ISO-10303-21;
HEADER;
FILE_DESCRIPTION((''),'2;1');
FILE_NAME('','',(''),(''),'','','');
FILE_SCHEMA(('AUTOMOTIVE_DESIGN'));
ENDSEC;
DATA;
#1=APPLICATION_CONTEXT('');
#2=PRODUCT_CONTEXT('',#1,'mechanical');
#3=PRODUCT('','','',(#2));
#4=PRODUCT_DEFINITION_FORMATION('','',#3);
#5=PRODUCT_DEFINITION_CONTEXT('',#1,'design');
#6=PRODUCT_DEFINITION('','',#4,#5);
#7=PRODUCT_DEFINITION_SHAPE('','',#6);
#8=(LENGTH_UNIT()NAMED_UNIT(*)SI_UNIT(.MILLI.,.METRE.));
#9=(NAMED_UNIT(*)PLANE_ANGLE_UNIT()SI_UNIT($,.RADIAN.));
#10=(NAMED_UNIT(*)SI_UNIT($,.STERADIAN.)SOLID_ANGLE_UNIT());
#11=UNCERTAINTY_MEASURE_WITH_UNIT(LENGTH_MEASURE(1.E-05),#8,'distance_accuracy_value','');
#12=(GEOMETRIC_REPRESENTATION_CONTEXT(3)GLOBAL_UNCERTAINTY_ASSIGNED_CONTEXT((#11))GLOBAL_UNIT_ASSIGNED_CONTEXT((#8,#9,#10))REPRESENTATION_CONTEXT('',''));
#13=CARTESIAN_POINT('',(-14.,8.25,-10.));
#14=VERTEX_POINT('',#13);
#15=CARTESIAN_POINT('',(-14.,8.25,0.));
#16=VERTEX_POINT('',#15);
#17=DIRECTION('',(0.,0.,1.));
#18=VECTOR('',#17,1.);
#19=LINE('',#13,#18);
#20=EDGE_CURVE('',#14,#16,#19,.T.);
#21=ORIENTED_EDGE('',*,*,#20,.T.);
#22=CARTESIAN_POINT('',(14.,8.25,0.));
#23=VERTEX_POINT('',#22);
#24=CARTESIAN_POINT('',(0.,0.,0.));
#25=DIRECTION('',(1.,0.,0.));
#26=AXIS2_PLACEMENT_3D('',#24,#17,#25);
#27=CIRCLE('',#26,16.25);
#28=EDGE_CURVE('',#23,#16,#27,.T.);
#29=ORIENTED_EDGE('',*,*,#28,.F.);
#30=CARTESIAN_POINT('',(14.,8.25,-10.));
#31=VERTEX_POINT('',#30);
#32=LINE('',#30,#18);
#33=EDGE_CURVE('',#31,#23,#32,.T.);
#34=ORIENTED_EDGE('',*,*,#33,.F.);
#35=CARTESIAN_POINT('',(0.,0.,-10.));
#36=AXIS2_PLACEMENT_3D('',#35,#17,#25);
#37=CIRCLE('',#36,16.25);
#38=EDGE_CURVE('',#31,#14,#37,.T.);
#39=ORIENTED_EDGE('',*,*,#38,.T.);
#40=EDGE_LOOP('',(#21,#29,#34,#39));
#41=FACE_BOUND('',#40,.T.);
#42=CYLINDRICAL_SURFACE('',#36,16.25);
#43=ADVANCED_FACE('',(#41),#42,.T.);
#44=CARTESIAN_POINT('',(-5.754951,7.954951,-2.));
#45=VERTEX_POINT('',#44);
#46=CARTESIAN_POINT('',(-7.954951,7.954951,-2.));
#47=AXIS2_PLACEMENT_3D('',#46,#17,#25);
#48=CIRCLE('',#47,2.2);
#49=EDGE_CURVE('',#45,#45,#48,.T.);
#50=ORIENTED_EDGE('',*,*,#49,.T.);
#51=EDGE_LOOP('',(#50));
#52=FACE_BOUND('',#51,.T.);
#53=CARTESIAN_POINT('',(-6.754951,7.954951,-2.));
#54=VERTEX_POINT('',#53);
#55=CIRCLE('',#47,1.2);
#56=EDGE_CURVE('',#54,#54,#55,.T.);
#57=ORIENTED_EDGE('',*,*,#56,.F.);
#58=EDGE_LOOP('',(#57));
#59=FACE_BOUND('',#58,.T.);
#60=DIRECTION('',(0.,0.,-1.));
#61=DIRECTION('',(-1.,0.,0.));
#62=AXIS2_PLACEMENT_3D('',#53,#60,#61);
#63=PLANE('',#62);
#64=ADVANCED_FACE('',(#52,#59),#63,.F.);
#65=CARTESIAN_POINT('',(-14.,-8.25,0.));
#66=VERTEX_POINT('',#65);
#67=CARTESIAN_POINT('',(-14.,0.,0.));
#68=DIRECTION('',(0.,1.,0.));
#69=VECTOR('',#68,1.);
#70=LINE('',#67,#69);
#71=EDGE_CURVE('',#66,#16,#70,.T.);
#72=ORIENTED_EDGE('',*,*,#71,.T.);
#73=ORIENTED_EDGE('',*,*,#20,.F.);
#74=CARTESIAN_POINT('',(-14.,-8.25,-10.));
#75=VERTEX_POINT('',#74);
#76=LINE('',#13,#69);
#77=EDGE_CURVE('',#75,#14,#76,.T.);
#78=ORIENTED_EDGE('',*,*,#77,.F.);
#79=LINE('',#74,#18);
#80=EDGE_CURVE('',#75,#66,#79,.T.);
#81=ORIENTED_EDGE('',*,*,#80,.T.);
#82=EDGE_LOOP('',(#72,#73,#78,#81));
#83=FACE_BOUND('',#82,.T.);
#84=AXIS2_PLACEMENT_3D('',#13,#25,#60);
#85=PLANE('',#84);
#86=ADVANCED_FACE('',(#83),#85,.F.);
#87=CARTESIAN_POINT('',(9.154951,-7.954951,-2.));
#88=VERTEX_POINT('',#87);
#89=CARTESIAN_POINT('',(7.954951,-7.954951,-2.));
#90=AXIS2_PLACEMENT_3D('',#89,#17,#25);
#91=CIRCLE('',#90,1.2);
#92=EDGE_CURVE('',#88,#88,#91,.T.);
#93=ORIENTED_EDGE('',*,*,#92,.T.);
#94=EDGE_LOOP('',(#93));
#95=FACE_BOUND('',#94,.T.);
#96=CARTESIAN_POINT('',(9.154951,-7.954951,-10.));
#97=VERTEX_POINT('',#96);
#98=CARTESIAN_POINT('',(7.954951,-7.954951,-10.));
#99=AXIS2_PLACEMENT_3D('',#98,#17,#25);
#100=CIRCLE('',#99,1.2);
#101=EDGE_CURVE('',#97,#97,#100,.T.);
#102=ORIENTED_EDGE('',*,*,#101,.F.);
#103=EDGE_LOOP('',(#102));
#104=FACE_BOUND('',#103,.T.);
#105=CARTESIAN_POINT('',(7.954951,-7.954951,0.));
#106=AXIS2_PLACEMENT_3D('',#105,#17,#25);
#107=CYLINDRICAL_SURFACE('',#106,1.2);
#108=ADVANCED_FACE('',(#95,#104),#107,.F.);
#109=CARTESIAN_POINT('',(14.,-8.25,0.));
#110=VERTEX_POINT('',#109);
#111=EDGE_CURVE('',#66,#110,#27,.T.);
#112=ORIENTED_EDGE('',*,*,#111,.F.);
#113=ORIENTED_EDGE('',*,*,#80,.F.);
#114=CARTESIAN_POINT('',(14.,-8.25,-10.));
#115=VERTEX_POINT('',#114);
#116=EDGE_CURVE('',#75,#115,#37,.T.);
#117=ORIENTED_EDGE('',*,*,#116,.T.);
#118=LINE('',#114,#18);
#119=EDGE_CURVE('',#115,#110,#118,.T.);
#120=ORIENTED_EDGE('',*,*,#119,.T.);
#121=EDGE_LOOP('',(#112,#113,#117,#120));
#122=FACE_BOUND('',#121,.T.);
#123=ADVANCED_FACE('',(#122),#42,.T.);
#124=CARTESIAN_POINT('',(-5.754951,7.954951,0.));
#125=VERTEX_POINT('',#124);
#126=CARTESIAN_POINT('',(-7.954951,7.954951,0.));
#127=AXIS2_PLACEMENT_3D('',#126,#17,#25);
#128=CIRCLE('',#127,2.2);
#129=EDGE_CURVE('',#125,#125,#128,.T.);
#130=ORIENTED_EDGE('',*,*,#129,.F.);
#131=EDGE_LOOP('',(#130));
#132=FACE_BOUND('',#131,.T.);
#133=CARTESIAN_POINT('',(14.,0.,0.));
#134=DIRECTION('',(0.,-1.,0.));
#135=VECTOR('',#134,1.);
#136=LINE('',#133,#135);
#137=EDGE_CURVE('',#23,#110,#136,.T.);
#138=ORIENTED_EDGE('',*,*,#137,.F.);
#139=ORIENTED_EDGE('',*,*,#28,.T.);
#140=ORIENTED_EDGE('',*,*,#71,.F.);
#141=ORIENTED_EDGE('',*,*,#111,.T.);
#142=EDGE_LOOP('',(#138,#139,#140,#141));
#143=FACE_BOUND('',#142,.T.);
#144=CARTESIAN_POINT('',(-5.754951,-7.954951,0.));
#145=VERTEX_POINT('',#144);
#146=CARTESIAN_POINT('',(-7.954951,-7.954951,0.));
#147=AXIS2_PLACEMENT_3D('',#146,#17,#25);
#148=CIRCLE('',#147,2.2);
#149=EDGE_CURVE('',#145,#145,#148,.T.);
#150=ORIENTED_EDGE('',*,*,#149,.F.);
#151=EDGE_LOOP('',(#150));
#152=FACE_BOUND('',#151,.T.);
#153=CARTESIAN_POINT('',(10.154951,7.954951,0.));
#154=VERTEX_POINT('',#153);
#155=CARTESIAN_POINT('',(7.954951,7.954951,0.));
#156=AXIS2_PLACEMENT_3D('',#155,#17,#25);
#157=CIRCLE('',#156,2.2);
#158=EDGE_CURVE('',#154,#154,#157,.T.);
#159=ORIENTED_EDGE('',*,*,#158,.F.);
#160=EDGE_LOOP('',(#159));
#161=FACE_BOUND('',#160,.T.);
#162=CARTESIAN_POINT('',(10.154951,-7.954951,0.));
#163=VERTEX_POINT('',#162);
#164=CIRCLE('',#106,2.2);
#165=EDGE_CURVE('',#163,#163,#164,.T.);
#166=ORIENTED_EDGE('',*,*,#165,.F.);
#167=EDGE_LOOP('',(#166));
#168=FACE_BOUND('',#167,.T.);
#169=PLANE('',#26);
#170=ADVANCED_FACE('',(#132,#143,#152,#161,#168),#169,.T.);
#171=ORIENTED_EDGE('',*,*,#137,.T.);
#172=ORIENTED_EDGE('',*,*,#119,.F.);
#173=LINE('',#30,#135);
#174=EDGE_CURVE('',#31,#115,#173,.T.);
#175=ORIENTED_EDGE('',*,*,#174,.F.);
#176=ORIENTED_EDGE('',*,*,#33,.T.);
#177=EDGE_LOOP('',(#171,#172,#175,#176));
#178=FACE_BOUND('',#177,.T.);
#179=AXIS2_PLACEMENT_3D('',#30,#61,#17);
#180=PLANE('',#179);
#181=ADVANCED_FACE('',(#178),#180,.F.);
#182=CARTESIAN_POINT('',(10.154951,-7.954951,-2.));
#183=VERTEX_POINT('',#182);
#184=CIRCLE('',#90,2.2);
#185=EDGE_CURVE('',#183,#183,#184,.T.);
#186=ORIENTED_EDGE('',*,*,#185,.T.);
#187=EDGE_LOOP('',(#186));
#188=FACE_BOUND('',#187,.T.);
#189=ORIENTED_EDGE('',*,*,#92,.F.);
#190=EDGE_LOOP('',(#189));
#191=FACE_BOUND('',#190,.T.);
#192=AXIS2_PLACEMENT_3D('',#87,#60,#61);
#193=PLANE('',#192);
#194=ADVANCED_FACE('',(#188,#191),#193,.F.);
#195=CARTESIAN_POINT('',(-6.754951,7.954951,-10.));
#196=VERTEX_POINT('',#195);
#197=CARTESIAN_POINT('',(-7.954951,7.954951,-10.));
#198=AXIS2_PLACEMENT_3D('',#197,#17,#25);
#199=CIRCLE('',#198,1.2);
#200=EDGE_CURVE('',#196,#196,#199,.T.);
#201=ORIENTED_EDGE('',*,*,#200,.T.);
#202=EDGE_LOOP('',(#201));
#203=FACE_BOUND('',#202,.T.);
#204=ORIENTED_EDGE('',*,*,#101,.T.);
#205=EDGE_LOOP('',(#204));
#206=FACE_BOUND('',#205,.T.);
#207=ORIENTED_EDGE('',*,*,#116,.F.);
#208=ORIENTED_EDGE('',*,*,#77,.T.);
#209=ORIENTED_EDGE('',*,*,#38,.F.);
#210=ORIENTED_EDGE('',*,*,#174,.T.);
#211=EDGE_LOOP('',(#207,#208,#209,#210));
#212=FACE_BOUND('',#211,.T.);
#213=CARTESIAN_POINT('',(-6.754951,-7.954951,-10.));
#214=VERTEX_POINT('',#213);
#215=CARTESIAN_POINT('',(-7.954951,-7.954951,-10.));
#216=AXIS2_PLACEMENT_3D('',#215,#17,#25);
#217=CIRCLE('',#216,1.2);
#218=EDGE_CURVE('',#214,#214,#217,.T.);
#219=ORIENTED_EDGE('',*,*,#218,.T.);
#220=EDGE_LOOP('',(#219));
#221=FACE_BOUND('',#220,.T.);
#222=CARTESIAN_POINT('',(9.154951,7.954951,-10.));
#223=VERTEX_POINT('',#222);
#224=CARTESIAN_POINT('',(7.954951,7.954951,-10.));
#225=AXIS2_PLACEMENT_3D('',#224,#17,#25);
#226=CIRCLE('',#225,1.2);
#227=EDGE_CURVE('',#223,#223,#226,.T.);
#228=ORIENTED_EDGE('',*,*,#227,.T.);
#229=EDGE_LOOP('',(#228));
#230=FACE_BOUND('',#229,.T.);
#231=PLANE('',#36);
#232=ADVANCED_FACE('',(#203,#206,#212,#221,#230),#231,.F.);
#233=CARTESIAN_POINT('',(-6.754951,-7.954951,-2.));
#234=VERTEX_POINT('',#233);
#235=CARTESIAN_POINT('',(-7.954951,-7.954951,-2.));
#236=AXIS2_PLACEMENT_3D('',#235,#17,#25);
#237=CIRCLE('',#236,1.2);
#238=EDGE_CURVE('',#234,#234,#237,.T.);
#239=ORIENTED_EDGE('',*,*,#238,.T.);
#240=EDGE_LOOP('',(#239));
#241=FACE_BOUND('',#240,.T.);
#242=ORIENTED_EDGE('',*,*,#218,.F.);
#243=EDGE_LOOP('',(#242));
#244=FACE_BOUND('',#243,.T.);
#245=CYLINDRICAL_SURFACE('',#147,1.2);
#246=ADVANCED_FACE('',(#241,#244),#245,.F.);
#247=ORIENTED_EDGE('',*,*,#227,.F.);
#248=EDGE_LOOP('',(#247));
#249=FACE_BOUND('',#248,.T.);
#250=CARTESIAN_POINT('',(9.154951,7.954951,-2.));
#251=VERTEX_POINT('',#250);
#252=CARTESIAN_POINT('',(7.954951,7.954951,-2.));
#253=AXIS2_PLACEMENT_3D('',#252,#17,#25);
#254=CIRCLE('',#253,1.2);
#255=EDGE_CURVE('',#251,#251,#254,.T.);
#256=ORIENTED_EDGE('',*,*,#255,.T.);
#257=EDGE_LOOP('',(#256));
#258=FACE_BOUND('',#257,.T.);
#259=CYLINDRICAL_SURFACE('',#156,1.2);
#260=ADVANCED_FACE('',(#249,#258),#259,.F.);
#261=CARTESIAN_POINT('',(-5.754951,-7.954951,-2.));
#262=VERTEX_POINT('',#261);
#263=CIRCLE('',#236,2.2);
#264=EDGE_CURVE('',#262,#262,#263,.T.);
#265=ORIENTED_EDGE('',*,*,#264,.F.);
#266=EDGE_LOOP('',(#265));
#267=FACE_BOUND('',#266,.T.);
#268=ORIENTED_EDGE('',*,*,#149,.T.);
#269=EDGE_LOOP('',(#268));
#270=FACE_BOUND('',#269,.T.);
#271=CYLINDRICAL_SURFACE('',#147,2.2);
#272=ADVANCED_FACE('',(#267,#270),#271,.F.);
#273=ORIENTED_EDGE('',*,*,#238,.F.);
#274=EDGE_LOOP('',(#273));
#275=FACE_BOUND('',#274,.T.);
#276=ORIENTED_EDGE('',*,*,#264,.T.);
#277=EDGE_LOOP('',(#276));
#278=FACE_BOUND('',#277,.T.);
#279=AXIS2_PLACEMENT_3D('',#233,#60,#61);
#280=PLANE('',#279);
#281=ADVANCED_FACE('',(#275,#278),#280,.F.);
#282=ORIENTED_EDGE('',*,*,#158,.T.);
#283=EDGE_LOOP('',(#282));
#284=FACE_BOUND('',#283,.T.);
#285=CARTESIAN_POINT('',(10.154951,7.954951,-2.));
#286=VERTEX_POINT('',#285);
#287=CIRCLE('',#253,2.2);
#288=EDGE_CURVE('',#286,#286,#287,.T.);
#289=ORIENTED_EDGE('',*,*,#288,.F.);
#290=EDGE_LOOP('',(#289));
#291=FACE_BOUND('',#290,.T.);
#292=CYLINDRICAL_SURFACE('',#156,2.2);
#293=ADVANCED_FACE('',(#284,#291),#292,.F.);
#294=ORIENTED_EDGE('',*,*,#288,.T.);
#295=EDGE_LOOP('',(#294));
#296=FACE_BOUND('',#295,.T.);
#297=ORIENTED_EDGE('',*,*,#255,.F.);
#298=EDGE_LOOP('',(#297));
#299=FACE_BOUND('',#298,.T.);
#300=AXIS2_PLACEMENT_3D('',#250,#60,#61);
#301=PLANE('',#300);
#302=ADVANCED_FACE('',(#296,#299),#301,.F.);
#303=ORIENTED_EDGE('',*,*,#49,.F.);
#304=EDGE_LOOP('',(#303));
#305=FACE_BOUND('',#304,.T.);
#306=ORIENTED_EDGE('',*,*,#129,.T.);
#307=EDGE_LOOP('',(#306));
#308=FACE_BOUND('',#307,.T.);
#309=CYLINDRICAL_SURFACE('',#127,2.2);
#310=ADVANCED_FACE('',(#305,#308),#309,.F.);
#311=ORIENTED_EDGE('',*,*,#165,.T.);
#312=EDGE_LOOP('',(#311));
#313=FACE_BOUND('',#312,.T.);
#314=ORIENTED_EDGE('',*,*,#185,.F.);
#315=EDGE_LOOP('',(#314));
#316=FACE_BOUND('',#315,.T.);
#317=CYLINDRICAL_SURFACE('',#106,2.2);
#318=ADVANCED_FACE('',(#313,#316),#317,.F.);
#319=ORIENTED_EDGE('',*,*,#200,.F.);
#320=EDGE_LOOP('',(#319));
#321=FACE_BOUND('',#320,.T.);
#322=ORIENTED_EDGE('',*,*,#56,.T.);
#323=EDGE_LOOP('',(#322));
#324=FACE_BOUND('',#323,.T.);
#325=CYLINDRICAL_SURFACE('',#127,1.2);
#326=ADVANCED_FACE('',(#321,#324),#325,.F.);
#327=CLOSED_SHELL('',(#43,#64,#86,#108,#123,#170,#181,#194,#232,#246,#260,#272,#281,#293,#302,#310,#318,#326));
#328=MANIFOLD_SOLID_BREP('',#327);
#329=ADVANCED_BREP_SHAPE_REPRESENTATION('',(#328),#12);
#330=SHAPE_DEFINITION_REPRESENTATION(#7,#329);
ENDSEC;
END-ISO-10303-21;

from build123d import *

# Parameters (mm, degrees)
SKETCH1_R                      = 16.25
BOSS_EXTRUDE1_DEPTH            = 10
CUT_EXTRUDE1_DEPTH             = 26.06242207
CUT_EXTRUDE1_DEPTH_BACK        = 26.06242207
SKETCH2_W                      = 10
SKETCH2_H                      = 16.5
CBORE_FOR_M2_SHCS1_D           = 2.4
CBORE_FOR_M2_SHCS1_CBORE_D     = 4.4
CBORE_FOR_M2_SHCS1_CBORE_DEPTH = 2


with BuildPart() as part:
    # Sketch1 → Boss-Extrude1 (new body)
    with BuildSketch(Plane.XY):
        Circle(SKETCH1_R)
    extrude(amount=-BOSS_EXTRUDE1_DEPTH)

    # Sketch2 → Cut-Extrude1 (cut, two sides: drawn at the far end of the back side and taken through both)
    with BuildSketch(Plane.XY.offset(-CUT_EXTRUDE1_DEPTH_BACK)):
        with Locations((19, 0)):
            Rectangle(SKETCH2_W, SKETCH2_H)
        with Locations((-19, 0)):
            Rectangle(SKETCH2_W, SKETCH2_H)
    extrude(amount=CUT_EXTRUDE1_DEPTH + CUT_EXTRUDE1_DEPTH_BACK, mode=Mode.SUBTRACT)

    # CBORE for M2 SHCS1 (through all)
    with Locations(Plane.XY):
        with Locations((-7.954951288, 7.954951288), (7.954951288, 7.954951288), (7.954951288, -7.954951288), (-7.954951288, -7.954951288)):
            CounterBoreHole(CBORE_FOR_M2_SHCS1_D / 2, CBORE_FOR_M2_SHCS1_CBORE_D / 2, CBORE_FOR_M2_SHCS1_CBORE_DEPTH)


solid = part.part
